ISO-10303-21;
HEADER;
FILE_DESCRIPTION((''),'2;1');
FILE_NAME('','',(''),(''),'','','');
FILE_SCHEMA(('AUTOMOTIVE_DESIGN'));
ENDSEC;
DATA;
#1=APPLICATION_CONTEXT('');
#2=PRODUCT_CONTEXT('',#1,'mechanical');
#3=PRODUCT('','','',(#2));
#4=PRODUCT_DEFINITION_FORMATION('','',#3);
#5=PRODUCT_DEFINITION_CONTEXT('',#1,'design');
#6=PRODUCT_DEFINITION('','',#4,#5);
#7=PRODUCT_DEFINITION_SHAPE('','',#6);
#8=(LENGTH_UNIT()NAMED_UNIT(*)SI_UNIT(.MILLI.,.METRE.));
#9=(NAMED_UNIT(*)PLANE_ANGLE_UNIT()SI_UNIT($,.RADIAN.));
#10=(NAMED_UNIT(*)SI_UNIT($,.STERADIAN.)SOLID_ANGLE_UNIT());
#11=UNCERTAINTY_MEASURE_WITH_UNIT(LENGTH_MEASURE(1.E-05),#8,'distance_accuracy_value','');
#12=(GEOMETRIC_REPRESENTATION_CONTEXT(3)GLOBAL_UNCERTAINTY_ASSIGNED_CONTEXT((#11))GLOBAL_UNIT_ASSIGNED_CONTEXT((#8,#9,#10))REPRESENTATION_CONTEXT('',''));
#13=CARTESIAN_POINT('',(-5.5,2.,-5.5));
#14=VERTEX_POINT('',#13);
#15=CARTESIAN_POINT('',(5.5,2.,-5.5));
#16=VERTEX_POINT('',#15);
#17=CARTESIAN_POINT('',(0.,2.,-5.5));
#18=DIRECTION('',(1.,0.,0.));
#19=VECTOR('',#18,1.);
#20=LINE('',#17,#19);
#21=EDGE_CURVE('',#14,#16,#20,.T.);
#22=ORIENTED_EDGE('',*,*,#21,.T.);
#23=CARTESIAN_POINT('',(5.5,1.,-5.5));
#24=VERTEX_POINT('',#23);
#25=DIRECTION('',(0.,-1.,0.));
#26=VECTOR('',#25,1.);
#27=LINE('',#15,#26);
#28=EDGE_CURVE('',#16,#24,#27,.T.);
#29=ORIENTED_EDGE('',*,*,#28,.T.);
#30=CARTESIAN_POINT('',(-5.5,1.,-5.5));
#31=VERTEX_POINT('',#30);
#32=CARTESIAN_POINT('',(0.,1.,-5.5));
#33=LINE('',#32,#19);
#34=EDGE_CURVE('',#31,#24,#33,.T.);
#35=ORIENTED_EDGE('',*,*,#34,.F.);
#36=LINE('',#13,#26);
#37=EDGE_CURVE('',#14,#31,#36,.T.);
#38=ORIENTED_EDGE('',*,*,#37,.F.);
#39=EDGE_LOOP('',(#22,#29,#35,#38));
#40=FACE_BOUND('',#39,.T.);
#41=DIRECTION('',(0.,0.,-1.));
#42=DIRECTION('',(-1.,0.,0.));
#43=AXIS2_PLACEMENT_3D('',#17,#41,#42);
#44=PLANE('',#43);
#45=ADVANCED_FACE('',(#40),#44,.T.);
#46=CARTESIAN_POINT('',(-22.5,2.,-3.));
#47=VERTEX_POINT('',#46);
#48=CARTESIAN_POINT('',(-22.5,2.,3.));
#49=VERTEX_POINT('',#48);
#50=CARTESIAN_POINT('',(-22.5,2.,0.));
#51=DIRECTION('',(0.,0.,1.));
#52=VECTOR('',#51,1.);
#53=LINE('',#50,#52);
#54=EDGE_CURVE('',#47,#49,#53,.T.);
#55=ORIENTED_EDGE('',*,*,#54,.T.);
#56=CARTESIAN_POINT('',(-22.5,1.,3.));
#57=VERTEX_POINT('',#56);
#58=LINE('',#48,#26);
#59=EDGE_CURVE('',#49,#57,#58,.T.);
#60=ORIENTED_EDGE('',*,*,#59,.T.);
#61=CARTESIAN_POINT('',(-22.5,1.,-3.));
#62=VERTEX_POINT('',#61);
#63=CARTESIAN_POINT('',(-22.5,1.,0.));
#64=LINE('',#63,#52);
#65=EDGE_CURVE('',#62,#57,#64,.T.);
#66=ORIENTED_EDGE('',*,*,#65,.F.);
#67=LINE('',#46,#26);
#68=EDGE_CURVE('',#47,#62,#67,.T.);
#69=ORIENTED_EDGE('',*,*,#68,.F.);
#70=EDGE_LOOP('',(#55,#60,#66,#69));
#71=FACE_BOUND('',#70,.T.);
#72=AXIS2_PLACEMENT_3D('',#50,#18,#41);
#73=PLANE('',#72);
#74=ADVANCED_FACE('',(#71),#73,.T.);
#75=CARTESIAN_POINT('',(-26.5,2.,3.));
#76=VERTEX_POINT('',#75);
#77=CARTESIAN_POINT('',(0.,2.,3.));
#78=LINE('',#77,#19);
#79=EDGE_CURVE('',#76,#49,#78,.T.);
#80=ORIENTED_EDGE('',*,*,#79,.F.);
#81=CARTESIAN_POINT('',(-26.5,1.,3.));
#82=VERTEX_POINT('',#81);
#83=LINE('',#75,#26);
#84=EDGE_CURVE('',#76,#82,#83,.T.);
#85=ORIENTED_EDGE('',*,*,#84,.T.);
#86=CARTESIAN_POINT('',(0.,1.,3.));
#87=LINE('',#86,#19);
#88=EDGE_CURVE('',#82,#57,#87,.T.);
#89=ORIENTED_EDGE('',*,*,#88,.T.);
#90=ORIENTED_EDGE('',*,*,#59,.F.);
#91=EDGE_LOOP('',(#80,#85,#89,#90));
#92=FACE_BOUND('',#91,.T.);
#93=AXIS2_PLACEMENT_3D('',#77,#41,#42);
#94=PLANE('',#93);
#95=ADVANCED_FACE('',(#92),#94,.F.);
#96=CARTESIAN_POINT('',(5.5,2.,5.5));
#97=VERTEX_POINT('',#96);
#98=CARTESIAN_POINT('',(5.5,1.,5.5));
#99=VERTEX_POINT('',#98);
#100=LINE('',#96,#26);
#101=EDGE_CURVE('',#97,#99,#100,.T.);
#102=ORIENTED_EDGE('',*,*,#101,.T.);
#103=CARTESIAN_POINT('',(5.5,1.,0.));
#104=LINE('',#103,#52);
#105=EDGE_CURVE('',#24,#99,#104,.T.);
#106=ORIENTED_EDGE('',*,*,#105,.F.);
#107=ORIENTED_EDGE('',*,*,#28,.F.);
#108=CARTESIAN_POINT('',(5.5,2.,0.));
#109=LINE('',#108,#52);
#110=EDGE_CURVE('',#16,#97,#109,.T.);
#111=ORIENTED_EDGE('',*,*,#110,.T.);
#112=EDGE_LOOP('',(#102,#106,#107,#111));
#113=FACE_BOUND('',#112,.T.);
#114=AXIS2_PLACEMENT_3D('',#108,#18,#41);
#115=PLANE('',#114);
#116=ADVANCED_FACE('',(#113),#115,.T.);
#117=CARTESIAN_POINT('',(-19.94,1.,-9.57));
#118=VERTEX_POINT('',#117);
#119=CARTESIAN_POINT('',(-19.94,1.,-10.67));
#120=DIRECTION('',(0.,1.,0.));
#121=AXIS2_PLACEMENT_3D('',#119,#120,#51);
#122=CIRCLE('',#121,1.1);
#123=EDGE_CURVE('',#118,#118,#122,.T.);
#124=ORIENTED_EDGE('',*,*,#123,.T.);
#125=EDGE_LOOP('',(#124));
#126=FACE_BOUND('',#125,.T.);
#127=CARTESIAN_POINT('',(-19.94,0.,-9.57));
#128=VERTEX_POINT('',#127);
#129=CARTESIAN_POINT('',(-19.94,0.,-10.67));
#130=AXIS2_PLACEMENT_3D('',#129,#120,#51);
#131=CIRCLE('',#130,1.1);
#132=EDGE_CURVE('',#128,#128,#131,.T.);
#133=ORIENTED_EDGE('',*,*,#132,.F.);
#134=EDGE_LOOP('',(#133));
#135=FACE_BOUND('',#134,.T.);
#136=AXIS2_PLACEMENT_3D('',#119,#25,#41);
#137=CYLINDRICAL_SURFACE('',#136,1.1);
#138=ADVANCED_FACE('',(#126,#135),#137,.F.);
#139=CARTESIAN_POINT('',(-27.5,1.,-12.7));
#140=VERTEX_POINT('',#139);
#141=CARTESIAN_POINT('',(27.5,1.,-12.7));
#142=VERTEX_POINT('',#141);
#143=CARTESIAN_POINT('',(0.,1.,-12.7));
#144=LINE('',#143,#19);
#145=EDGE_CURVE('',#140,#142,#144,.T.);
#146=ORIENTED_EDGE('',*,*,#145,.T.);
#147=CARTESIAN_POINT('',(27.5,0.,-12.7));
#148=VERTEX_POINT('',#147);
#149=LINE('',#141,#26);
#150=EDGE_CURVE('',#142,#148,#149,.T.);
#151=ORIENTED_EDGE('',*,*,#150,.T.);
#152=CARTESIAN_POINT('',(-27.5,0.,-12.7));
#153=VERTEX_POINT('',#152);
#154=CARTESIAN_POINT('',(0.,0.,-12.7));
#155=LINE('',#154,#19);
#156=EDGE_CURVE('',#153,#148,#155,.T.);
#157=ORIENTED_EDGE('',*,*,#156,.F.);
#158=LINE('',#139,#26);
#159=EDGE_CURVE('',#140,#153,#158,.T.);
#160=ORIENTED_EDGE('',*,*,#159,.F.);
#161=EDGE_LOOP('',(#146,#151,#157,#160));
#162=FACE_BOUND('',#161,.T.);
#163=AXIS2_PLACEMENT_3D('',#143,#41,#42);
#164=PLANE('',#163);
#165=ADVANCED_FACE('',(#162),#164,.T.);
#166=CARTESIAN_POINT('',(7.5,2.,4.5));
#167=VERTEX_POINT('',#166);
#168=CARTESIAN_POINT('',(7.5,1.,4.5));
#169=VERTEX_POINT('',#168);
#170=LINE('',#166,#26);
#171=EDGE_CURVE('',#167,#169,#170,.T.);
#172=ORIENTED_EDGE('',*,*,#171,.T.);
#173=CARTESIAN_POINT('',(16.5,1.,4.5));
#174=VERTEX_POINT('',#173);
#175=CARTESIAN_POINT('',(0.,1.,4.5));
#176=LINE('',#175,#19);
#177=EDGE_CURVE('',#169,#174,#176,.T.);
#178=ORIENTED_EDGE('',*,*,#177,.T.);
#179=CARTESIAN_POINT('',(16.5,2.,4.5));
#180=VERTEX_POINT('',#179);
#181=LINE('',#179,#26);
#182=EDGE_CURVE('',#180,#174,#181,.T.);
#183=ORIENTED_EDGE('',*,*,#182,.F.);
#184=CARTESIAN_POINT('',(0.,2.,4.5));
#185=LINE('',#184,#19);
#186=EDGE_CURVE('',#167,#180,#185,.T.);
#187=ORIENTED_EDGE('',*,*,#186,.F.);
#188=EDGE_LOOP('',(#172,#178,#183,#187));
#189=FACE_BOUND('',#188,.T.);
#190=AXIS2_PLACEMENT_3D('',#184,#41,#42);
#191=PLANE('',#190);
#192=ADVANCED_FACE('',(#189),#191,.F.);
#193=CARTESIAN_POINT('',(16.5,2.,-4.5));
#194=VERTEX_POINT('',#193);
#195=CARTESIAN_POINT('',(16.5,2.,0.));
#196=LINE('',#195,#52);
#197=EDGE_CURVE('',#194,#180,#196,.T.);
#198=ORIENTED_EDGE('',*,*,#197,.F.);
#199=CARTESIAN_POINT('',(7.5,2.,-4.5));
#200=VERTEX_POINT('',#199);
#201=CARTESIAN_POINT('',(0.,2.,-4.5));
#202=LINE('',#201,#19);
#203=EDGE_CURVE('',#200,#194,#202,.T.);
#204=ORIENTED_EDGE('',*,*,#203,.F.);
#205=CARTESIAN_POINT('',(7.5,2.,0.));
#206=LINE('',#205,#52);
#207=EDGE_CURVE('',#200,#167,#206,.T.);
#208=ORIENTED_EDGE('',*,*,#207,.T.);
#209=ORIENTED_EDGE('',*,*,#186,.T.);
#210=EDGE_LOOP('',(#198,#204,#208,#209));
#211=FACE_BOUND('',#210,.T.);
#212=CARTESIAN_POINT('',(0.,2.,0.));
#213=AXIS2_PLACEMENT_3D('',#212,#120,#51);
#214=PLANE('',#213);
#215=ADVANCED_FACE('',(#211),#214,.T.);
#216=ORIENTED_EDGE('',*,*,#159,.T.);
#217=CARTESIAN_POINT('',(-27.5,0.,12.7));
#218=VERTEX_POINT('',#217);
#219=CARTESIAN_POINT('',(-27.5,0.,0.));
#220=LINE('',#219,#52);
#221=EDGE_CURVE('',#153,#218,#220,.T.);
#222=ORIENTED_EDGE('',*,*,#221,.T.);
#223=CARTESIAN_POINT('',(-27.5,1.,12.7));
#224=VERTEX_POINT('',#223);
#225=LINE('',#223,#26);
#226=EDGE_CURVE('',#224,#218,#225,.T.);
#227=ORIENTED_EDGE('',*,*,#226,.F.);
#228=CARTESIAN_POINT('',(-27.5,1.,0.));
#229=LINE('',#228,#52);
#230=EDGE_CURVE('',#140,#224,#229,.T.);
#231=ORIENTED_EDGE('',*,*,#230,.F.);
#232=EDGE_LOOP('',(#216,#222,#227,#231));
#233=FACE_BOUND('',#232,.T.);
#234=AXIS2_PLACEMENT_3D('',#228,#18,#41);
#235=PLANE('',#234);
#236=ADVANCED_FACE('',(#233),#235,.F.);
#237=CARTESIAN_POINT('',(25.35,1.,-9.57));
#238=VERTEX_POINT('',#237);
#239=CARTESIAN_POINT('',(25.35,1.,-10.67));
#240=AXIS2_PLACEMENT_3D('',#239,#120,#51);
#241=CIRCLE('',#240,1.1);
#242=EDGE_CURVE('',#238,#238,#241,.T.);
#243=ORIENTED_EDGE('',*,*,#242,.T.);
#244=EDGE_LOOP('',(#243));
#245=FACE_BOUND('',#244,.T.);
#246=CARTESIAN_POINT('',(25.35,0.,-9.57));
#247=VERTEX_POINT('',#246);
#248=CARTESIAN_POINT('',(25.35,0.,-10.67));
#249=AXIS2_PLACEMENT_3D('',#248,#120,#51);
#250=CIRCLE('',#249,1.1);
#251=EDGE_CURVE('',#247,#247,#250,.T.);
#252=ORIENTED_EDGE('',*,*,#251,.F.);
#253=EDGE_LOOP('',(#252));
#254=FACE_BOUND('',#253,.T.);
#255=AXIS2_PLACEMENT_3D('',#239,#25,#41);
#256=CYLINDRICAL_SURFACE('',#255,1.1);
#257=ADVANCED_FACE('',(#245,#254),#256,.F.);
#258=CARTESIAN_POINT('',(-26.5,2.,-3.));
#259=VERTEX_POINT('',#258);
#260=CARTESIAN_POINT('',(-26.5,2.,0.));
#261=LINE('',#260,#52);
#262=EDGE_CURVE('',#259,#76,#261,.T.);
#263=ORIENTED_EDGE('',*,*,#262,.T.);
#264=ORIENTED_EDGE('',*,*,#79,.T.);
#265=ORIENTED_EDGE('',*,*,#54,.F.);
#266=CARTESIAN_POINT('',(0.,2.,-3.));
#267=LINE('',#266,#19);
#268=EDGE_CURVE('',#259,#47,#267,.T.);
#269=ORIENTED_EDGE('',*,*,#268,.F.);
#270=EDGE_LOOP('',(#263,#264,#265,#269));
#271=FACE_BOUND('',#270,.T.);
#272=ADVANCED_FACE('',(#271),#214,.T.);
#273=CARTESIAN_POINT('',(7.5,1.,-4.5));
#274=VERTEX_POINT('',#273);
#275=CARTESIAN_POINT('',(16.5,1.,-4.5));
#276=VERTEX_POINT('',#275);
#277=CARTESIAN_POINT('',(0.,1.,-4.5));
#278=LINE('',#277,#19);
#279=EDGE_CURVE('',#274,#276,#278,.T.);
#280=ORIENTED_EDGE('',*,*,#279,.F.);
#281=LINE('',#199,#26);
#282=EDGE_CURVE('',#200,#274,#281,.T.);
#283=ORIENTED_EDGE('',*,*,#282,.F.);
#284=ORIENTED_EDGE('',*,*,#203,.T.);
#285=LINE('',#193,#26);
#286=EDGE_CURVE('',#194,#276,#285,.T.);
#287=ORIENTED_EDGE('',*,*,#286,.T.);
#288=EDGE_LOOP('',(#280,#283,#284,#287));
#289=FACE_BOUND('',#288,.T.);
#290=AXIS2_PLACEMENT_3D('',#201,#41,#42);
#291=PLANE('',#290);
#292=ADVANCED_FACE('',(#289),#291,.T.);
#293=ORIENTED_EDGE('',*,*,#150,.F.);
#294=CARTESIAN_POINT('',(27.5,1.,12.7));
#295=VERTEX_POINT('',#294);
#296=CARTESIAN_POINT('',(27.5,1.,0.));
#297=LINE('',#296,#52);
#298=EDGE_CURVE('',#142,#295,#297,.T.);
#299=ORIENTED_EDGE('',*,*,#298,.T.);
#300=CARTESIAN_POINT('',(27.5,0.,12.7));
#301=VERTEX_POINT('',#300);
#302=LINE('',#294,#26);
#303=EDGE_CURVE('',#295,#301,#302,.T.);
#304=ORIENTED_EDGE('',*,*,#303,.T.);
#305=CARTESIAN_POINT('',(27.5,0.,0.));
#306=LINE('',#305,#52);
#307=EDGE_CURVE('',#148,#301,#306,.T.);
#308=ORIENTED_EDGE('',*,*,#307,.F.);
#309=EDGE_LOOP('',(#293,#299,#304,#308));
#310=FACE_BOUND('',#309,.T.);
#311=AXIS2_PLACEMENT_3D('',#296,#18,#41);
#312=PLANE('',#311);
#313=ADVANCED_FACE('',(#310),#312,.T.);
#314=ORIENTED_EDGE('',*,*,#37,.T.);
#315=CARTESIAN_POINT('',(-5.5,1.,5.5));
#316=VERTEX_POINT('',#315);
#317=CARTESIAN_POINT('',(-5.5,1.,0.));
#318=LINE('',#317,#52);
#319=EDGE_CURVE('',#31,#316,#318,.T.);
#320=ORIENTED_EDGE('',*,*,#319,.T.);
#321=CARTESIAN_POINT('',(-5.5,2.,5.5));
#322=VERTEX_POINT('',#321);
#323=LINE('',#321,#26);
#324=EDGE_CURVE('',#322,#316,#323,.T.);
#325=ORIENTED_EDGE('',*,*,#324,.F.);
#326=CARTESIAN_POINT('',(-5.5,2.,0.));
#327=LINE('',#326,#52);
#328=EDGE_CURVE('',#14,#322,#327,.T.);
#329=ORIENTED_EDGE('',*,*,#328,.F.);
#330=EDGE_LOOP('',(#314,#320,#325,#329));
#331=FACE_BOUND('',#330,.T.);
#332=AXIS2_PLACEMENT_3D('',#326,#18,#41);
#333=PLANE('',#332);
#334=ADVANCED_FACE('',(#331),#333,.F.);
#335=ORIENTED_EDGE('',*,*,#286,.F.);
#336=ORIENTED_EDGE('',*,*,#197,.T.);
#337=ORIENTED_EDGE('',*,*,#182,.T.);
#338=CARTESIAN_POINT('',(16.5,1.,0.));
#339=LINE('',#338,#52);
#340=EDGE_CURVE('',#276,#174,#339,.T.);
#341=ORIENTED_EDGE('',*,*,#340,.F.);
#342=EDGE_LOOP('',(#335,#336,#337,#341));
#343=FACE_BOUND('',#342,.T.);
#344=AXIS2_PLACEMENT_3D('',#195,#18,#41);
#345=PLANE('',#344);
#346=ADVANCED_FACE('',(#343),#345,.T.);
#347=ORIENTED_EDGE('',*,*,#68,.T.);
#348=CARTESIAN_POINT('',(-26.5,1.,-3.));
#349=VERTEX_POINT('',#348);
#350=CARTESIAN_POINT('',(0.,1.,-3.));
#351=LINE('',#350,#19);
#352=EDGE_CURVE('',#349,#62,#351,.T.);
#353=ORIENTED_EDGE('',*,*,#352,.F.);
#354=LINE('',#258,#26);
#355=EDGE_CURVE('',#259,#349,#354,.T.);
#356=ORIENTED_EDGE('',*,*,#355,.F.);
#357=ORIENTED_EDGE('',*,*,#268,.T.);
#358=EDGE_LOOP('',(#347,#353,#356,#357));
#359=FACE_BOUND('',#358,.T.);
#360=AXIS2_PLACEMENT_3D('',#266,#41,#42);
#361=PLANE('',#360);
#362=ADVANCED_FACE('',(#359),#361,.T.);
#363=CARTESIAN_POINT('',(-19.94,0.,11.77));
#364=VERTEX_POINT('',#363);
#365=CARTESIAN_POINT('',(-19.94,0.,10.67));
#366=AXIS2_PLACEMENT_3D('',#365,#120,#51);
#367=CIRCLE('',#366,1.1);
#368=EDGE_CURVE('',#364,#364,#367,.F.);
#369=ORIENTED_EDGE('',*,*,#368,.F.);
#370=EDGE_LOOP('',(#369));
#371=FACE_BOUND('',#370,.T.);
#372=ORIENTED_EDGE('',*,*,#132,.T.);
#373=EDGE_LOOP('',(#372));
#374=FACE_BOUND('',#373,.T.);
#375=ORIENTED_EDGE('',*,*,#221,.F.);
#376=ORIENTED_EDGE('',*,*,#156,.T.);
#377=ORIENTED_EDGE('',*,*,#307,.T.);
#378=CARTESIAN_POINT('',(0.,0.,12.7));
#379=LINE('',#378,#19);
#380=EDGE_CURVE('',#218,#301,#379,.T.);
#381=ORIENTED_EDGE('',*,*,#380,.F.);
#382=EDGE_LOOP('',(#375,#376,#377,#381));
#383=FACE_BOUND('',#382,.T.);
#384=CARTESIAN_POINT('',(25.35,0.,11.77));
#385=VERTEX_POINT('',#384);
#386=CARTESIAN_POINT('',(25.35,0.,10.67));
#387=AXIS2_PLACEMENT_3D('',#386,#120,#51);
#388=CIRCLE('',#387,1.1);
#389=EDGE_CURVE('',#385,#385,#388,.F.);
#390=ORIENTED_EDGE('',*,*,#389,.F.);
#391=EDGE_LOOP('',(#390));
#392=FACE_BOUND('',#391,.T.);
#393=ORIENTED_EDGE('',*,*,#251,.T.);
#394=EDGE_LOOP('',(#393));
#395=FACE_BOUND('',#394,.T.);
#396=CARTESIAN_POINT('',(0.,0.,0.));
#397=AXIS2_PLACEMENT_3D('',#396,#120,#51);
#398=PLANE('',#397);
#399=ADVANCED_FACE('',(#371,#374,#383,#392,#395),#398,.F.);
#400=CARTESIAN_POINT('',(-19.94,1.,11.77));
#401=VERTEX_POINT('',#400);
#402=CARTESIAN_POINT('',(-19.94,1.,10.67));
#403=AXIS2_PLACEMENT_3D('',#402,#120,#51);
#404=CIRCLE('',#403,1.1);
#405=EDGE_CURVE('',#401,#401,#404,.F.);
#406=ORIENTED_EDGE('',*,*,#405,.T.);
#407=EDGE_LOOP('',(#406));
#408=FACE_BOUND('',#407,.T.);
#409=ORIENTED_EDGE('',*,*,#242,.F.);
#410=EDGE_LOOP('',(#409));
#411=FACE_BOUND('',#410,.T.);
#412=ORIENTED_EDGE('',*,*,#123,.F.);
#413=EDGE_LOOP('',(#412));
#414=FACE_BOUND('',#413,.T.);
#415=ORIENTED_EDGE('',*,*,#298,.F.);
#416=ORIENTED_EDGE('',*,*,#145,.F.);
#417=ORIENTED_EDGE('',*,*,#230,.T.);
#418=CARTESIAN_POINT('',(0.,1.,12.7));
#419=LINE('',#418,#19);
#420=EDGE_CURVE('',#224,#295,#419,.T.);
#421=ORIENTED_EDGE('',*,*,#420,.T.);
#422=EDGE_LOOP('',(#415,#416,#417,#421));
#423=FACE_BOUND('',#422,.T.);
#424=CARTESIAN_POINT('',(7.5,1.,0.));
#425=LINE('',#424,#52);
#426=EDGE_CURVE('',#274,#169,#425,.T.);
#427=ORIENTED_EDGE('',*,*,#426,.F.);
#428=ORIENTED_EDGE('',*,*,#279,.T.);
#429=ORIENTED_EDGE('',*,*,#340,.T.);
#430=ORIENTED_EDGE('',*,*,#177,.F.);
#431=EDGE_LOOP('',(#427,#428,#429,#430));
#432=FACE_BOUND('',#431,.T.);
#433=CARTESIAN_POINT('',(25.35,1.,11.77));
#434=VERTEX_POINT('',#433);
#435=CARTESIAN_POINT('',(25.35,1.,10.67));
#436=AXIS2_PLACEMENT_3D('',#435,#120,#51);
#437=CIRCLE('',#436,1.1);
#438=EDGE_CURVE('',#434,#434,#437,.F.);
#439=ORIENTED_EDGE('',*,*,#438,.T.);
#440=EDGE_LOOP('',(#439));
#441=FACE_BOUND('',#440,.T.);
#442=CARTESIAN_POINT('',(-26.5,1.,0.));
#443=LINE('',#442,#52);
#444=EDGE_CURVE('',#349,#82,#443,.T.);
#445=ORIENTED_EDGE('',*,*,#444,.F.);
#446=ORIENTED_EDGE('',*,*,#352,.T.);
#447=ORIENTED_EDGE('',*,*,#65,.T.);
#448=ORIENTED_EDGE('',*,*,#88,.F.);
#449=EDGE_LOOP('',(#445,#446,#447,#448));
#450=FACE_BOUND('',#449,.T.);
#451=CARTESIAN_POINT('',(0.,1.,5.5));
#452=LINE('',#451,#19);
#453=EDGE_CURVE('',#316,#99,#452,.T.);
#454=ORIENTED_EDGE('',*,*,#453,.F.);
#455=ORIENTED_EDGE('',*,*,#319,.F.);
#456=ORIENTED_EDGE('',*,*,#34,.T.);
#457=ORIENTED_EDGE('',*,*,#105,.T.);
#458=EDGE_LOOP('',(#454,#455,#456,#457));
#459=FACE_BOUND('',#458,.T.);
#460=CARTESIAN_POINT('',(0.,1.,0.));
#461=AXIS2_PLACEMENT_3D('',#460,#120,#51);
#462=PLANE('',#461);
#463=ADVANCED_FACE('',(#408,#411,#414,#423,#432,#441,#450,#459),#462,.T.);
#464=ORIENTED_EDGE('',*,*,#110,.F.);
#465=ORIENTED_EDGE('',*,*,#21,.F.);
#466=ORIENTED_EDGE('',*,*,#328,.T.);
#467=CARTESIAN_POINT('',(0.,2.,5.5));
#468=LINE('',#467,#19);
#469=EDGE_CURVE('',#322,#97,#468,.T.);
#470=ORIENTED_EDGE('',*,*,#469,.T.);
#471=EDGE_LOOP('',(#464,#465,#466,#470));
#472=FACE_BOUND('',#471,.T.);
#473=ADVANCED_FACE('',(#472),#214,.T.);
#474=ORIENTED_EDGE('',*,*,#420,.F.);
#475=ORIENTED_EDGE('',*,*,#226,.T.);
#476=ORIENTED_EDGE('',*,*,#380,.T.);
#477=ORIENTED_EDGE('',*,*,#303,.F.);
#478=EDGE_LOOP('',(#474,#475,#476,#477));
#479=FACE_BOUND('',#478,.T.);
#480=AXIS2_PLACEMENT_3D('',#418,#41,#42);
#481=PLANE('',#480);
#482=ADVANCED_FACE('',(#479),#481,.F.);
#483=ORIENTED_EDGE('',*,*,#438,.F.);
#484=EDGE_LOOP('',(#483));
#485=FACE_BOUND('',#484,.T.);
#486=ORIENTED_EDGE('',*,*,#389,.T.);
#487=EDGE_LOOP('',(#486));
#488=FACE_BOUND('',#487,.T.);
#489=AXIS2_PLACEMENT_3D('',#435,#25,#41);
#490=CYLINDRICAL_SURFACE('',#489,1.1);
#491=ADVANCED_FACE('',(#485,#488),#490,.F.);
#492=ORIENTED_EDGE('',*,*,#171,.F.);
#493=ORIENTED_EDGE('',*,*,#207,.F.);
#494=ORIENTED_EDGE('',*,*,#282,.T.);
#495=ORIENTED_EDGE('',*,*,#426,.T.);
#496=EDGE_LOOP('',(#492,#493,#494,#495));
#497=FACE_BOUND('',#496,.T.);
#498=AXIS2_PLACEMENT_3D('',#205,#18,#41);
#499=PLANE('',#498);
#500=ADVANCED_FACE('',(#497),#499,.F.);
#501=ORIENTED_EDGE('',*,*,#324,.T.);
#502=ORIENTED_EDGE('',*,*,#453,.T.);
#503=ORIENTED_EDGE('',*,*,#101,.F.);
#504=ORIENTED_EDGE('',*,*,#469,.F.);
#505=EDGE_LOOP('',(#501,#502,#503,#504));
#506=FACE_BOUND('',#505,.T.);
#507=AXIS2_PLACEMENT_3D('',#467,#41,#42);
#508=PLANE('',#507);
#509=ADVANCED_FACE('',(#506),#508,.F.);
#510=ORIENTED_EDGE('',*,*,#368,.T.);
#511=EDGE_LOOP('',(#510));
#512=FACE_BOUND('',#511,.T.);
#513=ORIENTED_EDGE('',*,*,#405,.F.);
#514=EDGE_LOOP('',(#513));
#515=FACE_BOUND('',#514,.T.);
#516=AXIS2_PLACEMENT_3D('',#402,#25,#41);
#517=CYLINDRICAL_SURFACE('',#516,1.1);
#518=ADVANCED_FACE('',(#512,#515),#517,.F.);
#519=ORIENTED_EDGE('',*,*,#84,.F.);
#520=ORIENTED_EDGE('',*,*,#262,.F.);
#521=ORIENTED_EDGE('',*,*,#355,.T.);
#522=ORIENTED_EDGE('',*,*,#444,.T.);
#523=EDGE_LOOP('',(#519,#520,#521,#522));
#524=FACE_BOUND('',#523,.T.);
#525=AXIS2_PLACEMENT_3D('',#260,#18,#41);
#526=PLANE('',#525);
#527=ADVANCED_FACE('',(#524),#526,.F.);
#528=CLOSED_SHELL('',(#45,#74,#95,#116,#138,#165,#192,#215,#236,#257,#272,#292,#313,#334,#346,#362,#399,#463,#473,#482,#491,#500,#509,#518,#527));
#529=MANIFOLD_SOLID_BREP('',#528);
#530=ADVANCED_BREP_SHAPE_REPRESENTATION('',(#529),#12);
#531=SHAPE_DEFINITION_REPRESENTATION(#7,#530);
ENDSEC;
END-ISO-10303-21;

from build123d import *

# Parameters (mm, degrees)
SKETCH_1_W      = 55
SKETCH_1_H      = 25.4
SKETCH_1_R      = 1.1
SKETCH_1_W_2    = 4
SKETCH_1_H_2    = 6
SKETCH_1_W_3    = 11
SKETCH_1_H_3    = 11
SKETCH_1_W_4    = 9
SKETCH_1_H_4    = 9
EXTRUDE_1_DEPTH = 1
SKETCH_1_3_W    = 11
SKETCH_1_3_H    = 11
SKETCH_1_3_W_2  = 9
SKETCH_1_3_H_2  = 9
SKETCH_1_3_W_3  = 4
SKETCH_1_3_H_3  = 6
EXTRUDE_2_DEPTH = 2


with BuildPart() as part:
    # 草图1 → 凸台-拉伸1 (new body)
    with BuildSketch(Plane(origin=(0, 0, 0), x_dir=(1, 0, 0), z_dir=(0, 1, 0))):
        Rectangle(SKETCH_1_W, SKETCH_1_H)
        with Locations((-19.94, -10.67)):
            Circle(SKETCH_1_R, mode=Mode.SUBTRACT)
        with Locations((-24.5, 0)):
            Rectangle(SKETCH_1_W_2, SKETCH_1_H_2, mode=Mode.SUBTRACT)
        with Locations((25.35, -10.67)):
            Circle(SKETCH_1_R, mode=Mode.SUBTRACT)
        Rectangle(SKETCH_1_W_3, SKETCH_1_H_3, mode=Mode.SUBTRACT)
        with Locations((12, 0)):
            Rectangle(SKETCH_1_W_4, SKETCH_1_H_4, mode=Mode.SUBTRACT)
        with Locations((-19.94, 10.67)):
            Circle(SKETCH_1_R, mode=Mode.SUBTRACT)
        with Locations((25.35, 10.67)):
            Circle(SKETCH_1_R, mode=Mode.SUBTRACT)
    extrude(amount=EXTRUDE_1_DEPTH)

    # 草图1<3> → 凸台-拉伸2 (add)
    with BuildSketch(Plane(origin=(0, 0, 0), x_dir=(1, 0, 0), z_dir=(0, 1, 0))):
        Rectangle(SKETCH_1_3_W, SKETCH_1_3_H)
        with Locations((12, 0)):
            Rectangle(SKETCH_1_3_W_2, SKETCH_1_3_H_2)
        with Locations((-24.5, 0)):
            Rectangle(SKETCH_1_3_W_3, SKETCH_1_3_H_3)
    extrude(amount=EXTRUDE_2_DEPTH)


solid = part.part
